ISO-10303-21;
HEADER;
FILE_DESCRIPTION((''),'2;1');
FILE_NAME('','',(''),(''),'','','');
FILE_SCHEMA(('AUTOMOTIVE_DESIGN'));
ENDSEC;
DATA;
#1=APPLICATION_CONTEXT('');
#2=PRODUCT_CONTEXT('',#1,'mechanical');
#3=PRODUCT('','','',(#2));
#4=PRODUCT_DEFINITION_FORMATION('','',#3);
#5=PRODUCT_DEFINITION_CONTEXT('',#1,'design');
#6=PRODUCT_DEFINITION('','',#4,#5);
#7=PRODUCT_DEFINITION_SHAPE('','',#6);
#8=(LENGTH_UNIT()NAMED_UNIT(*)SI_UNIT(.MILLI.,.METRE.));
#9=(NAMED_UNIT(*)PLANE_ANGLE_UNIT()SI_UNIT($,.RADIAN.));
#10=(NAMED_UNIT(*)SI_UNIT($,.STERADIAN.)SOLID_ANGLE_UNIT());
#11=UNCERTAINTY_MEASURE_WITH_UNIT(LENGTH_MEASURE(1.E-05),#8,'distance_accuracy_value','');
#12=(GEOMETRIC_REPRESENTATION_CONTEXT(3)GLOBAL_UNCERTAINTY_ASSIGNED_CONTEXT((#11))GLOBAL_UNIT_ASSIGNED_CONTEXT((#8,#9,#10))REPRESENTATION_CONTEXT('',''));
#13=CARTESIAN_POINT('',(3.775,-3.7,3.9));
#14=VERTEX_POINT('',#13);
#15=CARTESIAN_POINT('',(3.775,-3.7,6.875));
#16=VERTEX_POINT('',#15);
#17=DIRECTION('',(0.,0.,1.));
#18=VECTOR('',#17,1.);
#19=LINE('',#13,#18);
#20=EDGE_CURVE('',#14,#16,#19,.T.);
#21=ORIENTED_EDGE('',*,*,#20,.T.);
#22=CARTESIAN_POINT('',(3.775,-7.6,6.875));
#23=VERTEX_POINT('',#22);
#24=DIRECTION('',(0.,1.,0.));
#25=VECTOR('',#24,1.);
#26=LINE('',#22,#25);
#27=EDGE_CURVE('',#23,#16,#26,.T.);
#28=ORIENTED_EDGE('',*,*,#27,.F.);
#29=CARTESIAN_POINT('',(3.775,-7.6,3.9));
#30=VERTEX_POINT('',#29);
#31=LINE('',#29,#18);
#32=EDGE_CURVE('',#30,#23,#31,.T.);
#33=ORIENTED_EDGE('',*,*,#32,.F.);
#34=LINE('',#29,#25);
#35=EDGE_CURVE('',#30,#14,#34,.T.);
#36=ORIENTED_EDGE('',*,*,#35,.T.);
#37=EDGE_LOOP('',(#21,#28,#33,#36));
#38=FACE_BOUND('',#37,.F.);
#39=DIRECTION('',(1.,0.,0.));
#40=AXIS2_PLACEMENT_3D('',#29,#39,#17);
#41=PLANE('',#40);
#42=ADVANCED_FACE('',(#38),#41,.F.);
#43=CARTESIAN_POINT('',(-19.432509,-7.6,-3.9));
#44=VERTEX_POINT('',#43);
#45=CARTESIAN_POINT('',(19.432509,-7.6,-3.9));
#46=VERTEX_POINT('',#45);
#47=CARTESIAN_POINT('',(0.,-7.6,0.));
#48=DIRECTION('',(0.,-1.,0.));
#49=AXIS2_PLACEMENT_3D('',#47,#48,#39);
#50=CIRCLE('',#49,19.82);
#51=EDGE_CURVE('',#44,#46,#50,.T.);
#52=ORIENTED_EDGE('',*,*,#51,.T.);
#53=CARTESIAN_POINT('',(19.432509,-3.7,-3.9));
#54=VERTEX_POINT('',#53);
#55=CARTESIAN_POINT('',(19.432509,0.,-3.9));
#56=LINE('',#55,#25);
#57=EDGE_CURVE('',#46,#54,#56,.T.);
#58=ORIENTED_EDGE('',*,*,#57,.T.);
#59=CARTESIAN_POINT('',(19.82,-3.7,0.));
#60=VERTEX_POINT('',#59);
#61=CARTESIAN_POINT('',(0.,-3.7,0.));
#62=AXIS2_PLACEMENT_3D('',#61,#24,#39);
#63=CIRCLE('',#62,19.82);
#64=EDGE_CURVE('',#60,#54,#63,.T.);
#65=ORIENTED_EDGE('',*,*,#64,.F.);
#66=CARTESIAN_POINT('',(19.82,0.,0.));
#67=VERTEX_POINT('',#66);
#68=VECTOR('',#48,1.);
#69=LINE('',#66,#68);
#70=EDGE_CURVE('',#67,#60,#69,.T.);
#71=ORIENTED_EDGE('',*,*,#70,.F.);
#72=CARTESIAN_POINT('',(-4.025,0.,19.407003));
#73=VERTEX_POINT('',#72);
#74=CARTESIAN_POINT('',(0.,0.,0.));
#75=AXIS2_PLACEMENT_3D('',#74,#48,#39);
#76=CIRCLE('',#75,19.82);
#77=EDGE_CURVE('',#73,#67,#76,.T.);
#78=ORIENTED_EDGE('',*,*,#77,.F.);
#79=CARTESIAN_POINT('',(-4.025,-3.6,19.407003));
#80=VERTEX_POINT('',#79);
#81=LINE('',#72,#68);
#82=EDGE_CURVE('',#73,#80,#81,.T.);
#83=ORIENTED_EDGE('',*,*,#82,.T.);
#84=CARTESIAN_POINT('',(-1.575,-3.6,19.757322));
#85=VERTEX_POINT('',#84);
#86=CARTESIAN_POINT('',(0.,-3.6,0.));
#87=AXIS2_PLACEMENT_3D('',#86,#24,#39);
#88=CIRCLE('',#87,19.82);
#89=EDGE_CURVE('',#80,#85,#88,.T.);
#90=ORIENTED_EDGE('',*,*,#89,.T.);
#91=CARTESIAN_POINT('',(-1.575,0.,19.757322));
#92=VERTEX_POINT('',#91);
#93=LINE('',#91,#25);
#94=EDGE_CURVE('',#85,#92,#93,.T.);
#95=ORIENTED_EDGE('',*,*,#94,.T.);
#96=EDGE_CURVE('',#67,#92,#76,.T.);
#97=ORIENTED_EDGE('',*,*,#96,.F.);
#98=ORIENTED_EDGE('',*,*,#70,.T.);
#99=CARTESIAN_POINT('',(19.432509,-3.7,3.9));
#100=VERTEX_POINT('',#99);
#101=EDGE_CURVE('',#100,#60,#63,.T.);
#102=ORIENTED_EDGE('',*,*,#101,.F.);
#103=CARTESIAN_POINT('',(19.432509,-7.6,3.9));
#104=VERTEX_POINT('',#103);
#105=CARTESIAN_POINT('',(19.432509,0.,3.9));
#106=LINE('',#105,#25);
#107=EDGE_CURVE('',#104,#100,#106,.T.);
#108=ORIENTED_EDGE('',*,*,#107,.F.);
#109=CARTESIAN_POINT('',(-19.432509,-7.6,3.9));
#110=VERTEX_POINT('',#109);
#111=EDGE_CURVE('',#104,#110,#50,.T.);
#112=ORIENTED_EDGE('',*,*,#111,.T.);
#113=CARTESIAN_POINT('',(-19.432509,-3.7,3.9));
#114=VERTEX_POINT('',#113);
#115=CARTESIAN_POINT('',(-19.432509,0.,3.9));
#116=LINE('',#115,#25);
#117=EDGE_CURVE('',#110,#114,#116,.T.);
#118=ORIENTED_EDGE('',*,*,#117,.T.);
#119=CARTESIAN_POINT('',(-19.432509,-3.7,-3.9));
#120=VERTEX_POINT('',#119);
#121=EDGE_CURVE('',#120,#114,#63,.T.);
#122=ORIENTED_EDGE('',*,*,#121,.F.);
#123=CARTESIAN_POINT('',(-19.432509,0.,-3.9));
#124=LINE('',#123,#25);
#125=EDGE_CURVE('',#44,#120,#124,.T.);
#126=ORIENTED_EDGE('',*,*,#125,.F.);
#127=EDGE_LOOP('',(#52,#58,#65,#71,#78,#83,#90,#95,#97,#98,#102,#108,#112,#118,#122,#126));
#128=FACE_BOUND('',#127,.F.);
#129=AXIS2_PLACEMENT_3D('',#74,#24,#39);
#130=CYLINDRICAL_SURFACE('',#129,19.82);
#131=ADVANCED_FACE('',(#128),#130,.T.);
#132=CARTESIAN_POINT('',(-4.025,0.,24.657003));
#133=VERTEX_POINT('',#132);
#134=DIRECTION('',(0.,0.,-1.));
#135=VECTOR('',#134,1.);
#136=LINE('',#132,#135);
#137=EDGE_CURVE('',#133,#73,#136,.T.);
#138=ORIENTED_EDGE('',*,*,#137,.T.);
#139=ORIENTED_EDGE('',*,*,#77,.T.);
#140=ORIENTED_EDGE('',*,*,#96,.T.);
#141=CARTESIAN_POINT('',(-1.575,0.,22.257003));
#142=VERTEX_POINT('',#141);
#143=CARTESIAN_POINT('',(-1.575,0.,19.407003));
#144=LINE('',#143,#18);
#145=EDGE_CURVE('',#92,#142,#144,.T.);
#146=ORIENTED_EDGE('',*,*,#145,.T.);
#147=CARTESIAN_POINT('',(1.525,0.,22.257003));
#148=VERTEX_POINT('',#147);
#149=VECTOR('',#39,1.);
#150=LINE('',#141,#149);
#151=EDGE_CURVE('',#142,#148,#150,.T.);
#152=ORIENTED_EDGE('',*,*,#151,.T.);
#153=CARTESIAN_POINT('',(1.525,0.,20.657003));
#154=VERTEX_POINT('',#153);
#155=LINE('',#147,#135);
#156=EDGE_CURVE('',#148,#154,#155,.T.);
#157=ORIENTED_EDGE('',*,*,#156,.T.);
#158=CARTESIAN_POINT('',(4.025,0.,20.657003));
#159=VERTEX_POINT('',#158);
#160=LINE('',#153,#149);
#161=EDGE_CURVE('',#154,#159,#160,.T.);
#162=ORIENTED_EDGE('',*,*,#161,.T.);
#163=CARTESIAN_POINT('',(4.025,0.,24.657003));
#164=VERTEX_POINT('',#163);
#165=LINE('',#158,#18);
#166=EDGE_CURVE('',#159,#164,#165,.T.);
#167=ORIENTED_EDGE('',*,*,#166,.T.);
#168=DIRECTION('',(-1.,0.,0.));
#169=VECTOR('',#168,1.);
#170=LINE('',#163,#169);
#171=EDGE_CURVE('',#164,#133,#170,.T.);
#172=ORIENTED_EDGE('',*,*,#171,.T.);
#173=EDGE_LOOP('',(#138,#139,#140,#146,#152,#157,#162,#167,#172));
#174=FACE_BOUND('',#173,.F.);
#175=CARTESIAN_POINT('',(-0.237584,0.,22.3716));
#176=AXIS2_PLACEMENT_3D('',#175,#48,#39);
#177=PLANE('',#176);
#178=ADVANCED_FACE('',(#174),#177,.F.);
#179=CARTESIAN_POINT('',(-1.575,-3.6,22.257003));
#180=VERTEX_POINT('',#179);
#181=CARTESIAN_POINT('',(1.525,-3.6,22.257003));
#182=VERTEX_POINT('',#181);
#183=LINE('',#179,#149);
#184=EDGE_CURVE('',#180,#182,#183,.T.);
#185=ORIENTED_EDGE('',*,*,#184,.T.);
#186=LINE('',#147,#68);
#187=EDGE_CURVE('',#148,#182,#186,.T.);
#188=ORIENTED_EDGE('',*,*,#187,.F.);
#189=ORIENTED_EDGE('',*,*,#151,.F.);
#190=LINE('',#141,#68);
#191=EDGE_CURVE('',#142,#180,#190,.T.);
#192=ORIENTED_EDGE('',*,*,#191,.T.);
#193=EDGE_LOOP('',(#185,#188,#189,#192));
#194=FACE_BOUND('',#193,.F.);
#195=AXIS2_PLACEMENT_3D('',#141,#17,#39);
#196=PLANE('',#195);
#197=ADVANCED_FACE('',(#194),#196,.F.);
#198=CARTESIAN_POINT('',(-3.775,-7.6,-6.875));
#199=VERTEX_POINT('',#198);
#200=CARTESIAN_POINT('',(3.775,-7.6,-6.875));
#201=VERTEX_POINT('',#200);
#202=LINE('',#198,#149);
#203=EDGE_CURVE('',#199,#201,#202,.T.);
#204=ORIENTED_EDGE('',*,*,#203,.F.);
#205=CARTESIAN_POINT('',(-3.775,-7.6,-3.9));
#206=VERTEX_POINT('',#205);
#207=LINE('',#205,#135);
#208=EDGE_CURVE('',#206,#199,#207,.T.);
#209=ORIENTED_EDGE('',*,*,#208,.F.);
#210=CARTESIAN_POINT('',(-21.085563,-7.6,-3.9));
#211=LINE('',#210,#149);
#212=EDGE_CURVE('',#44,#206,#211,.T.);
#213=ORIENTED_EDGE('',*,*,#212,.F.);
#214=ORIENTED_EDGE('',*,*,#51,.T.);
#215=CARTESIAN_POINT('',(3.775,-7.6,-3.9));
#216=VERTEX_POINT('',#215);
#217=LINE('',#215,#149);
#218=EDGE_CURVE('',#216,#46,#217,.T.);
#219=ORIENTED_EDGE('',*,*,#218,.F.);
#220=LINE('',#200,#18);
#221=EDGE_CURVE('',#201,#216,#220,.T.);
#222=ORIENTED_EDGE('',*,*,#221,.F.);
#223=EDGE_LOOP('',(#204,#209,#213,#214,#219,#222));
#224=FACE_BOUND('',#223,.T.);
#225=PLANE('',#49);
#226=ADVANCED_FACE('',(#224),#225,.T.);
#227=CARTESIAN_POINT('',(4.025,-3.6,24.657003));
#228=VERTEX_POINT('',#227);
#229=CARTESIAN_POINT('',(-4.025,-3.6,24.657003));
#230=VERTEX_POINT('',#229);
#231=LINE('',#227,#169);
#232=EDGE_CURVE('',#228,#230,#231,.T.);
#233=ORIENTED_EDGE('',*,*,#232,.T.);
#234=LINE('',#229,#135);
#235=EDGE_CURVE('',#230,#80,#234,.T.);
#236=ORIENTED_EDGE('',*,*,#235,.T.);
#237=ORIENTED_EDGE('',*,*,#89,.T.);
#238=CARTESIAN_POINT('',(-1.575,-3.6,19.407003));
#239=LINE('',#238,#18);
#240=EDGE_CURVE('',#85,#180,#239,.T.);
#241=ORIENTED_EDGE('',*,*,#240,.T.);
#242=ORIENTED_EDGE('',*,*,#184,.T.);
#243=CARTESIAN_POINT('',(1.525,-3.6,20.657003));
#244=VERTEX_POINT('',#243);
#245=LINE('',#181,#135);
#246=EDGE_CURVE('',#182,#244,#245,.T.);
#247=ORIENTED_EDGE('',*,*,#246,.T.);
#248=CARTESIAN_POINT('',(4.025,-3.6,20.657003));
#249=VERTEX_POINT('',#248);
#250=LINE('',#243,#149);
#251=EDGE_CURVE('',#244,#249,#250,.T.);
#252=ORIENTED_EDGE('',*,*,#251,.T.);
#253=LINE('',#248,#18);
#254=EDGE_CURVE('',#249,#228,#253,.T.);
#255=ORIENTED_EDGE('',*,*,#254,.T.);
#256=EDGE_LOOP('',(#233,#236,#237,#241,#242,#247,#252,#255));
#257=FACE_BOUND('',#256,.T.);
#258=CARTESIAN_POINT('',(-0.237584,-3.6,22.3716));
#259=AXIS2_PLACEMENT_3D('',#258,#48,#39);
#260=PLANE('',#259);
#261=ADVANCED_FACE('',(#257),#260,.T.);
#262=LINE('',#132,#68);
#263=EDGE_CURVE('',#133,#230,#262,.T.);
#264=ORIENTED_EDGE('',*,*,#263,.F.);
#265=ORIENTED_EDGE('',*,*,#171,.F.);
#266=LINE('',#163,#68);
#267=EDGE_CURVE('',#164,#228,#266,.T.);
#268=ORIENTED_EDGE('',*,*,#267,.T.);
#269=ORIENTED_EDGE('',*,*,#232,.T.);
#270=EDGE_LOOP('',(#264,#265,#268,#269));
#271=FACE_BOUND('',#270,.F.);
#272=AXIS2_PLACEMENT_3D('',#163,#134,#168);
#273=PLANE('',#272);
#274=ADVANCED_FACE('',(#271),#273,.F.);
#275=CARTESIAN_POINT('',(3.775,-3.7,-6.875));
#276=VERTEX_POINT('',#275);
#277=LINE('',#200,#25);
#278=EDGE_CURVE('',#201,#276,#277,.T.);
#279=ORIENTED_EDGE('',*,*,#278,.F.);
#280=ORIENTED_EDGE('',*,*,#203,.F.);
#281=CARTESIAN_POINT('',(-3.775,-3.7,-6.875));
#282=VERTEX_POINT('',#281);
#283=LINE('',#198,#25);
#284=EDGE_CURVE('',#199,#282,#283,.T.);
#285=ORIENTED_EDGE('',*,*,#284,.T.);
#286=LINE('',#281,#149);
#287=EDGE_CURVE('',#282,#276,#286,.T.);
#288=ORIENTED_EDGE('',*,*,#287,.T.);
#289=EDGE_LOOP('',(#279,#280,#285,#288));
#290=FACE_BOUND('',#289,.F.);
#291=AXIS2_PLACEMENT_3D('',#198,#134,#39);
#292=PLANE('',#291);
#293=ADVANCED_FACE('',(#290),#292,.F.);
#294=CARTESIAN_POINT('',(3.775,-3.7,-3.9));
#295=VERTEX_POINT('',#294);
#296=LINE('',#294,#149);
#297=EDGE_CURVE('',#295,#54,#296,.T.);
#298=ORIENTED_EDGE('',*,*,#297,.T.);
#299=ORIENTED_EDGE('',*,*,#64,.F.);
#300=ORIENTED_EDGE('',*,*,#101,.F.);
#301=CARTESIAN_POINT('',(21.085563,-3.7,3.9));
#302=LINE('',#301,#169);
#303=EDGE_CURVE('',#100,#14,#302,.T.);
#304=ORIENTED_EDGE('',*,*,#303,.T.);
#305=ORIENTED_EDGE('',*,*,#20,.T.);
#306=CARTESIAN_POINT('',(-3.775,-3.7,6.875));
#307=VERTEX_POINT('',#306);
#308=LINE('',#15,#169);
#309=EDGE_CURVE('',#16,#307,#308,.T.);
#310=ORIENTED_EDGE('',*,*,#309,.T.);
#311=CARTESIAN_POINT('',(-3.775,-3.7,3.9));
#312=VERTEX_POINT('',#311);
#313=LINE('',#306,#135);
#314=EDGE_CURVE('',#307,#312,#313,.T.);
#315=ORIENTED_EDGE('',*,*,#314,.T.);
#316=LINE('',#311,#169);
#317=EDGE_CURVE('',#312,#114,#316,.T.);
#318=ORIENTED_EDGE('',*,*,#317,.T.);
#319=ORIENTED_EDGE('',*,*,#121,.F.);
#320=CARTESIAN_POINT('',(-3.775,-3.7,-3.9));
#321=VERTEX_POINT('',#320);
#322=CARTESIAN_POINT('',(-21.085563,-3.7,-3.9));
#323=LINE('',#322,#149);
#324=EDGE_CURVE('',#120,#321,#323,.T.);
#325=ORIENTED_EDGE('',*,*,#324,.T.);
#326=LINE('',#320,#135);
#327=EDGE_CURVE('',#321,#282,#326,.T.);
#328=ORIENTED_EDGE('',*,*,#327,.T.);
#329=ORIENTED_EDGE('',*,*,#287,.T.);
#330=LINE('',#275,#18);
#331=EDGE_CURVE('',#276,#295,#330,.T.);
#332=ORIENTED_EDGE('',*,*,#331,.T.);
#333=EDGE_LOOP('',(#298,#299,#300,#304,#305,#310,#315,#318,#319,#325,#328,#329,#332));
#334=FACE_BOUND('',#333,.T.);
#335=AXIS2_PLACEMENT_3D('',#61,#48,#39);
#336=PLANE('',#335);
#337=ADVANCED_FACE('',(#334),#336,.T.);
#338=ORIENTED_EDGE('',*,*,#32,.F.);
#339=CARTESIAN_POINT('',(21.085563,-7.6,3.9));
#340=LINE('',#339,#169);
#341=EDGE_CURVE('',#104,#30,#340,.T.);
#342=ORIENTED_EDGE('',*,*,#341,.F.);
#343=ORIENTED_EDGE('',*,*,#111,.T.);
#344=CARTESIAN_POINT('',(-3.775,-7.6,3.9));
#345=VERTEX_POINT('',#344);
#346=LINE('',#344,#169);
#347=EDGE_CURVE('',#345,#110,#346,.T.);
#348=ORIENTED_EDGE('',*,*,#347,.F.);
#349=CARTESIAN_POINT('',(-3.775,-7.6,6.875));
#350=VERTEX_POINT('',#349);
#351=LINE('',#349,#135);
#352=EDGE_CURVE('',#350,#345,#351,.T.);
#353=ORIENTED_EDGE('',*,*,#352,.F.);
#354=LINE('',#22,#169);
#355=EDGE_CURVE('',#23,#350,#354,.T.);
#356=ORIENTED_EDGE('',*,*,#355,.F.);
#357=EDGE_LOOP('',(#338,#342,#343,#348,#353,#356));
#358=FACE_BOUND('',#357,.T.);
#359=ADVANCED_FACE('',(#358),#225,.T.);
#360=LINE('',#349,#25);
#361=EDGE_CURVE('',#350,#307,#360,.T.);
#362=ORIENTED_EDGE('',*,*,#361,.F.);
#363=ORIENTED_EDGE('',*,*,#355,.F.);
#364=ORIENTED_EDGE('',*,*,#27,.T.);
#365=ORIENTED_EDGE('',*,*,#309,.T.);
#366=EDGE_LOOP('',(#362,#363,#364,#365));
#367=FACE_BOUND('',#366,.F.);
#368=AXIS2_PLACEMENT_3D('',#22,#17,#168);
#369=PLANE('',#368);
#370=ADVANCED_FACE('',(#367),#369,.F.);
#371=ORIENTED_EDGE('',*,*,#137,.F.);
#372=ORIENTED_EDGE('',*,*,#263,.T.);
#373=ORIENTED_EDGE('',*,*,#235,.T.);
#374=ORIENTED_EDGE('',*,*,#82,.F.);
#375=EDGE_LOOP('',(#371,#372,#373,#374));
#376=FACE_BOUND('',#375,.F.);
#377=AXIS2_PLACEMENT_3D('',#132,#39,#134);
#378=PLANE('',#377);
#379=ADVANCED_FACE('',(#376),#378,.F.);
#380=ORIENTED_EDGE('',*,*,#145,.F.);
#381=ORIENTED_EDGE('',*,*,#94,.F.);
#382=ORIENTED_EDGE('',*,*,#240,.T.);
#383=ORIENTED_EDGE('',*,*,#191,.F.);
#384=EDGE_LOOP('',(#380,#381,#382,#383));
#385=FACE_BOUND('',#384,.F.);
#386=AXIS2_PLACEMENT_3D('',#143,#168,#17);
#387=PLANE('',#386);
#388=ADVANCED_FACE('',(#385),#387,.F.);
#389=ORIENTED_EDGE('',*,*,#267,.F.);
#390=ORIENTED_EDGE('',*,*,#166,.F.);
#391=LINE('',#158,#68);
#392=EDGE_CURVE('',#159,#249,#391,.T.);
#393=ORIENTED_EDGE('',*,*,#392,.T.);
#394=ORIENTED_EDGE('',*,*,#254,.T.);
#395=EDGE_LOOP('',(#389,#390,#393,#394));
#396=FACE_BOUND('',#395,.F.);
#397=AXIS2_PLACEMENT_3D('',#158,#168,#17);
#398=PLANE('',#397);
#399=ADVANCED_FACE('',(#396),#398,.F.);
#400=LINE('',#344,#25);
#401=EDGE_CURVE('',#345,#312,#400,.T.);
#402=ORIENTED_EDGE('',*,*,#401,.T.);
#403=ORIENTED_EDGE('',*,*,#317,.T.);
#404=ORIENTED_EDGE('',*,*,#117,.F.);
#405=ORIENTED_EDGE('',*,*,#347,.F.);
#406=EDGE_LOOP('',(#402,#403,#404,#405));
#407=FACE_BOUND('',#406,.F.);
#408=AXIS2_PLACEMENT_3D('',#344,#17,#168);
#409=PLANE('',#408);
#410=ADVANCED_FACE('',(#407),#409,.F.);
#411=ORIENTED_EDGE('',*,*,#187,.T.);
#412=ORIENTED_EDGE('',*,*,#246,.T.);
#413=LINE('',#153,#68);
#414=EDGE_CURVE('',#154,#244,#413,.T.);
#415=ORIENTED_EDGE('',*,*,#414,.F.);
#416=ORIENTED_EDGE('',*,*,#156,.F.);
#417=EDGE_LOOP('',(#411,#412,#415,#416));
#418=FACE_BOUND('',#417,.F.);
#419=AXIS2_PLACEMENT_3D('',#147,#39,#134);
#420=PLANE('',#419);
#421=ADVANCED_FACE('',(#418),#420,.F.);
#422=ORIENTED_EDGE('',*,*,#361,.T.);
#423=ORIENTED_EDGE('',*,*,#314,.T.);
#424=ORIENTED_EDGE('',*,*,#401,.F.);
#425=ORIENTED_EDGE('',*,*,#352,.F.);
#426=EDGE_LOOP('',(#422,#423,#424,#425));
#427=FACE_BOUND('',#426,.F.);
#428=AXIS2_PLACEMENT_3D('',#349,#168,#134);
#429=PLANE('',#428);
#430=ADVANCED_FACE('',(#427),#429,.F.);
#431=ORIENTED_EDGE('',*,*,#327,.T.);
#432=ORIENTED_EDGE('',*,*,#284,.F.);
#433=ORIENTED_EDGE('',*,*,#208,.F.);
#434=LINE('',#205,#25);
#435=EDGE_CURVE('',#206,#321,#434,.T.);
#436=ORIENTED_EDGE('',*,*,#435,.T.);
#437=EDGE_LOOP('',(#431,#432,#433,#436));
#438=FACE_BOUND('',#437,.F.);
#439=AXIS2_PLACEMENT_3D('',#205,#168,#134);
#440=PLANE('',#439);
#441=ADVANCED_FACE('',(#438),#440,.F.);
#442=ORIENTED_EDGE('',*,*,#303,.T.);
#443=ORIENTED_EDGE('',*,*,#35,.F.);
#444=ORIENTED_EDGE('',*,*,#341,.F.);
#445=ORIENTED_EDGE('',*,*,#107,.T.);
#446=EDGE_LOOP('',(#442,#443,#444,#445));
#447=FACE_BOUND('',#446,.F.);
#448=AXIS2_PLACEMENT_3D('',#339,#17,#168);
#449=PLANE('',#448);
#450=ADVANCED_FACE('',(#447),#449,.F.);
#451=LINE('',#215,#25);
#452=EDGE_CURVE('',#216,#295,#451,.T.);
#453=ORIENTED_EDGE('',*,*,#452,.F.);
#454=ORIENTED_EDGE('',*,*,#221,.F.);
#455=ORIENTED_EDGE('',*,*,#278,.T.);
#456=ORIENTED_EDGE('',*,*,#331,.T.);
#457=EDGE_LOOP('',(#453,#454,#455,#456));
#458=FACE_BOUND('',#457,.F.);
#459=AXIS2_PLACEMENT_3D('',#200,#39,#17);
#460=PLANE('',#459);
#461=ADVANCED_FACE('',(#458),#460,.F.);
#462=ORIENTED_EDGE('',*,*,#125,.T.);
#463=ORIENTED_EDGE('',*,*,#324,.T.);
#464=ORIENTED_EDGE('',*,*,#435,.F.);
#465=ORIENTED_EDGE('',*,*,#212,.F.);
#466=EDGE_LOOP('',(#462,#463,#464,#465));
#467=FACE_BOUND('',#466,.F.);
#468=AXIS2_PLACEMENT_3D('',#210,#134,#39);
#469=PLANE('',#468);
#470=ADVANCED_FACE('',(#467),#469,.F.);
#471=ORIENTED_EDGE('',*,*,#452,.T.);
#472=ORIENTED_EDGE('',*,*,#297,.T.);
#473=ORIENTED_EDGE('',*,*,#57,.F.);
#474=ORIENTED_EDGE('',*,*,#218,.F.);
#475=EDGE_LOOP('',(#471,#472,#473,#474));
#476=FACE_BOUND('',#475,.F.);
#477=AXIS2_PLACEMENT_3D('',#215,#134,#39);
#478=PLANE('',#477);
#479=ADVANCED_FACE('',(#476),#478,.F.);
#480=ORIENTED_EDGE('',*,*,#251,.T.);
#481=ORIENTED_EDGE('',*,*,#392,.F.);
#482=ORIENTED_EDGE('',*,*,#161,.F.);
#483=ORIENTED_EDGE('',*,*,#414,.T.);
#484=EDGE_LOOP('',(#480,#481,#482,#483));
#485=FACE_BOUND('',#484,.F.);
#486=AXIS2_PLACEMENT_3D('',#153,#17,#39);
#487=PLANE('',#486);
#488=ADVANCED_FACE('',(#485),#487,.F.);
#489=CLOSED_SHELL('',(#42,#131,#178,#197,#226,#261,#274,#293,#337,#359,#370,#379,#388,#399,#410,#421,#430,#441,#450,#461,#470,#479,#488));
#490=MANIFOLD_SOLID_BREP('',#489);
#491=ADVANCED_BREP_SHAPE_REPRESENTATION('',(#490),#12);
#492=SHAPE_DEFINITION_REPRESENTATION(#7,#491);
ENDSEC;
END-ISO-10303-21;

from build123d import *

# Parameters (mm, degrees)
F0_R     = 19.82
F1_DEPTH = 7.6
F3_DEPTH = 3.9
F5_DEPTH = 3.6


with BuildPart() as f1:
    # F0 (on Front) → F1 (new body)
    with BuildSketch(Plane.XZ):
        Circle(F0_R)
    extrude(amount=F1_DEPTH)

    # F2 (on face) → F3 (cut)
    with BuildSketch(Plane.XZ.offset(7.6)):
        Polygon((-3.775, 3.9), (-21.085563, 3.9), (-21.085563, -3.9), (-3.775, -3.9), (-3.775, -6.875), (3.775, -6.875), (3.775, -3.9), (21.085563, -3.9), (21.085563, 3.9), (3.775, 3.9), (3.775, 6.875), (-3.775, 6.875), align=None)
    extrude(amount=-F3_DEPTH, mode=Mode.SUBTRACT)

    # F4 (on Front) → F5 (join)
    with BuildSketch(Plane.XZ):
        Polygon((-4.025, 24.657003), (-4.025, 19.407003), (-1.575, 19.407003), (-1.575, 22.257003), (1.525, 22.257003), (1.525, 20.657003), (4.025, 20.657003), (4.025, 24.657003), align=None)
    extrude(amount=F5_DEPTH)


solid = f1.part
